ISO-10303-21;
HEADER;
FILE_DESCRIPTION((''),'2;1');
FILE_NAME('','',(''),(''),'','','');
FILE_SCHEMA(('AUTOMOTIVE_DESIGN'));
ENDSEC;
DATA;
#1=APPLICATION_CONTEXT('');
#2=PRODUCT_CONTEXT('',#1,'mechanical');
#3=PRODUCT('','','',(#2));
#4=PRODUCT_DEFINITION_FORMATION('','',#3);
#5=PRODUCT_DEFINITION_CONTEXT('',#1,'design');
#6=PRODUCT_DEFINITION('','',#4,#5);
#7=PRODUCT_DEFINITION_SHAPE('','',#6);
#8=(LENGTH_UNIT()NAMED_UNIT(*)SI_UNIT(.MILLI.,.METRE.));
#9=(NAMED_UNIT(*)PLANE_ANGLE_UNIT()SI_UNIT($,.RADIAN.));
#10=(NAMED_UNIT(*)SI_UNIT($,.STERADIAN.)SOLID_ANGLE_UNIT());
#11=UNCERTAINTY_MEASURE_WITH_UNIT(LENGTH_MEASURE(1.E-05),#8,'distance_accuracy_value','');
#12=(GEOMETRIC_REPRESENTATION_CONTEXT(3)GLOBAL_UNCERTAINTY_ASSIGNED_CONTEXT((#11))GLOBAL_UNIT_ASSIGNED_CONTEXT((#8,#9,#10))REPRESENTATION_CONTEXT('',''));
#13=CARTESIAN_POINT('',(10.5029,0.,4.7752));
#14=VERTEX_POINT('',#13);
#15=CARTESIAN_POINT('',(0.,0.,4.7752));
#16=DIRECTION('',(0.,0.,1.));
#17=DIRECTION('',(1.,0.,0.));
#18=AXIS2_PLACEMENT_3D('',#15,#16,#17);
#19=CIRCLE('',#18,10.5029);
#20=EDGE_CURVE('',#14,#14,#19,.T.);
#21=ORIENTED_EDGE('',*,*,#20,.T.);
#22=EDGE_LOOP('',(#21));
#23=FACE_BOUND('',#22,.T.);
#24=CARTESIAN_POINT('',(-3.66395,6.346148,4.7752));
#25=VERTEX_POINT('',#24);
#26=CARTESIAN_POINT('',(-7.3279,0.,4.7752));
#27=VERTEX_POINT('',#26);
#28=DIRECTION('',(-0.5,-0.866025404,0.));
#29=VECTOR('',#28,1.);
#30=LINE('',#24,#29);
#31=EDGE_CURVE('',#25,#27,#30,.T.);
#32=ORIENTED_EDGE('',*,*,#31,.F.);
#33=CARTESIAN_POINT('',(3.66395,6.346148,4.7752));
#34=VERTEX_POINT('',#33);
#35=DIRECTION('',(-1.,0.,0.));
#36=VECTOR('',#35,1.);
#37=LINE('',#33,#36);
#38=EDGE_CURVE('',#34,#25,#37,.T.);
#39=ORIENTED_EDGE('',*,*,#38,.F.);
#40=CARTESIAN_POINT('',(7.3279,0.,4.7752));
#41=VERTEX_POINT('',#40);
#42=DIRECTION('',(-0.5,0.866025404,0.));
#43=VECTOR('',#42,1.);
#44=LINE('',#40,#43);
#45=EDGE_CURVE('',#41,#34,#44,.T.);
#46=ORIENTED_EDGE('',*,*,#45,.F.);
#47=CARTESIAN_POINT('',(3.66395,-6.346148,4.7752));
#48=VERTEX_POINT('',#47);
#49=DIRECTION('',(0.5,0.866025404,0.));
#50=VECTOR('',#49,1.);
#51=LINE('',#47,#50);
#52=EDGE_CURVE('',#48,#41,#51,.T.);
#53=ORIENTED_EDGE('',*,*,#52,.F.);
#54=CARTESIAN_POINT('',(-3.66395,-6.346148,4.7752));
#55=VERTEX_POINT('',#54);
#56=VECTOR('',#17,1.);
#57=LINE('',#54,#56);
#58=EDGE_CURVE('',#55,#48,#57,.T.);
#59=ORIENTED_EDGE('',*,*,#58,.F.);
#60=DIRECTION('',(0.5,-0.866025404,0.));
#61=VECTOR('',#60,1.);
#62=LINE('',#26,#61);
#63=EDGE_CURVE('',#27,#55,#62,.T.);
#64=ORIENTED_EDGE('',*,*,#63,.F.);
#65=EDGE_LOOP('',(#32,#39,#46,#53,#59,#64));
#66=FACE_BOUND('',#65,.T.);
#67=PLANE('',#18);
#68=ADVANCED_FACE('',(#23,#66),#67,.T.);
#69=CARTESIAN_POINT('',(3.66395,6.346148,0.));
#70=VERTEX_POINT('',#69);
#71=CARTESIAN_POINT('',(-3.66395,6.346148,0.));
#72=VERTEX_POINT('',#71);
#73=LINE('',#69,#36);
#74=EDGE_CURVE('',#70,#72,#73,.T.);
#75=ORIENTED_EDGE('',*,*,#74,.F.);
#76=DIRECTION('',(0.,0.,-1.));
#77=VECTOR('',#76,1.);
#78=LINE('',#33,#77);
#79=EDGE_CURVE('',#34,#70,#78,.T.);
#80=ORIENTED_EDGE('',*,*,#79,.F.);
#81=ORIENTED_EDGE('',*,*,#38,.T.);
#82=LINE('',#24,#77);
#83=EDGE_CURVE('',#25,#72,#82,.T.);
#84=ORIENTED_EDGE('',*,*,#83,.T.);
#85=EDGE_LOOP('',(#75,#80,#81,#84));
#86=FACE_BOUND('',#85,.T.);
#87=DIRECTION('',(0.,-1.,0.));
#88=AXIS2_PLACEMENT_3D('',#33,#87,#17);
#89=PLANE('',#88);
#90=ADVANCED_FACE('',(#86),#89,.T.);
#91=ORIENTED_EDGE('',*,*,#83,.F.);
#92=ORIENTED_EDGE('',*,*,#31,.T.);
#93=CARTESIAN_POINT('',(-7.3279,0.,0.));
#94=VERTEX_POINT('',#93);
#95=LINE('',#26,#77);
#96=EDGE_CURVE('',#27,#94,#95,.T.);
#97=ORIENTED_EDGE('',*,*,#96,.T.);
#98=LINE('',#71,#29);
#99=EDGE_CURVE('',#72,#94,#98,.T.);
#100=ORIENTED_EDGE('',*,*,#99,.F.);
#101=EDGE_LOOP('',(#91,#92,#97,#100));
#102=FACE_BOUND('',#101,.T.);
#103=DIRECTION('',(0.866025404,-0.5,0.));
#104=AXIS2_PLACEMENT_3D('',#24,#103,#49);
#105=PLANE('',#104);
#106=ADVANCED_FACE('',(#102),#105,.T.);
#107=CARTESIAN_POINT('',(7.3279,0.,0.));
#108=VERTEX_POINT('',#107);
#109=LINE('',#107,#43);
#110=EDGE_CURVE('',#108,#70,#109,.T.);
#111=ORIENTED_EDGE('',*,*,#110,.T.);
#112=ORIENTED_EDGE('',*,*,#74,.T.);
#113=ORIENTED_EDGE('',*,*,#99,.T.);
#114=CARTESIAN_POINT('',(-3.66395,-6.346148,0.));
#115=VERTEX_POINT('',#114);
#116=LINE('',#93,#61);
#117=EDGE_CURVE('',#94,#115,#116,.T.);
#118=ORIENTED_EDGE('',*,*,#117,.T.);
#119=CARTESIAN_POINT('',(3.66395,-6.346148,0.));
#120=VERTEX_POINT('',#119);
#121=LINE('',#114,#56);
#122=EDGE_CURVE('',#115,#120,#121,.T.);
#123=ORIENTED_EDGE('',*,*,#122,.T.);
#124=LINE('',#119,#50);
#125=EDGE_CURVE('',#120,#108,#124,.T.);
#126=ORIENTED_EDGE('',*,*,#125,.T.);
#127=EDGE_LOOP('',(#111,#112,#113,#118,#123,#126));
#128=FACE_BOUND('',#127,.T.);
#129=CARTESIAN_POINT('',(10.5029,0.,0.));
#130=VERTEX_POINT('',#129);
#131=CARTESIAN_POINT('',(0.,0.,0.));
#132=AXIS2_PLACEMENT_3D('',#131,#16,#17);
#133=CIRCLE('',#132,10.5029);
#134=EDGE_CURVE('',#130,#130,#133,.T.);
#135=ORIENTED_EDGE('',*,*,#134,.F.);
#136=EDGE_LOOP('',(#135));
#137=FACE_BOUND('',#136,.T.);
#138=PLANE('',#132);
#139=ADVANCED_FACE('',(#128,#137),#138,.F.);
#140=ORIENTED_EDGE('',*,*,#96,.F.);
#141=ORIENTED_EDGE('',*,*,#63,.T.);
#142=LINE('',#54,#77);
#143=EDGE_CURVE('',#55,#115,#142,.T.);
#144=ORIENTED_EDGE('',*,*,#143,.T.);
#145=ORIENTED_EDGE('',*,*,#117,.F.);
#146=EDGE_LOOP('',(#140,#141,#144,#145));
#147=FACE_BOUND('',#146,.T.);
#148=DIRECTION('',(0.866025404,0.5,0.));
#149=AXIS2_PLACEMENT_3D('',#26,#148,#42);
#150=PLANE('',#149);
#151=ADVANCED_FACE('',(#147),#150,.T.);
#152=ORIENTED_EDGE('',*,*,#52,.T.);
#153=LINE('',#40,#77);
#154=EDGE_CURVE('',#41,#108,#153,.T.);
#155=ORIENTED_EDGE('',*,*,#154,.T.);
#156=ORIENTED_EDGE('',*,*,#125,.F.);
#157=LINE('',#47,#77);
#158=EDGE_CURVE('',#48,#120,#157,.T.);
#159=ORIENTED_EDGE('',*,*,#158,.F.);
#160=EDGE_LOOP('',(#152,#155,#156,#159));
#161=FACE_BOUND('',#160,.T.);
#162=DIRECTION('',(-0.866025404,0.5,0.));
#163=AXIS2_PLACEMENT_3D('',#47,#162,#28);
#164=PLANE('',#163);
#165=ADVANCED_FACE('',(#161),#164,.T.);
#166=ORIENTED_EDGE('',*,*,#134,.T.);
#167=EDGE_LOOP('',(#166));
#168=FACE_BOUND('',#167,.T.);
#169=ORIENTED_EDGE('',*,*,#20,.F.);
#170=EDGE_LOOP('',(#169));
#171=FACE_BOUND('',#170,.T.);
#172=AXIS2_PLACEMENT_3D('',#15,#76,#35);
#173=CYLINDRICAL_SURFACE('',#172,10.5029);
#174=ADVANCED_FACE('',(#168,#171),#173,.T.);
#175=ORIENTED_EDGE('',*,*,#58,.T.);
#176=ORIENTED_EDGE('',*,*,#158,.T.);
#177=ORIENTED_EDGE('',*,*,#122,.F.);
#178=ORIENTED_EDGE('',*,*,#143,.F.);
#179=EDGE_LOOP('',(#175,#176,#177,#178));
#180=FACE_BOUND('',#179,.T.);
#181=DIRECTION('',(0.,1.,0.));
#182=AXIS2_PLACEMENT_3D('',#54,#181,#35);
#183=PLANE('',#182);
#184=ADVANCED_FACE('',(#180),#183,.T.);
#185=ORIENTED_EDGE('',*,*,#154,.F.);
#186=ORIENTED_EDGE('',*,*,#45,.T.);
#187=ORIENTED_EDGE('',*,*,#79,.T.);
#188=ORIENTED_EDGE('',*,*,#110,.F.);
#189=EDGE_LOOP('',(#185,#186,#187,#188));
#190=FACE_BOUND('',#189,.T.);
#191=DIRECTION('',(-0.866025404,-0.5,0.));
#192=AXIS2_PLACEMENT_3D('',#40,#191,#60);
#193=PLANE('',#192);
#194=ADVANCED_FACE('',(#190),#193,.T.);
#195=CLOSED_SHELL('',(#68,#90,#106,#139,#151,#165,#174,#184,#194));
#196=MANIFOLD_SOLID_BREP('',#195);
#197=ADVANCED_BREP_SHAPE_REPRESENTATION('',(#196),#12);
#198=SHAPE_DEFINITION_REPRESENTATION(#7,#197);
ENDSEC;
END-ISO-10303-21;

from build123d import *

# Parameters (mm, degrees)
SKETCH1_R           = 10.5029
BOSS_EXTRUDE1_DEPTH = 4.7752


with BuildPart() as part:
    # Sketch1 → Boss-Extrude1 (new body)
    with BuildSketch(Plane.XY):
        Circle(SKETCH1_R)
        Polygon((-7.3279, 0), (-3.66395, -6.346147556), (3.66395, -6.346147556), (7.3279, 0), (3.66395, 6.346147556), (-3.66395, 6.346147556), align=None, mode=Mode.SUBTRACT)
    extrude(amount=BOSS_EXTRUDE1_DEPTH)


solid = part.part
